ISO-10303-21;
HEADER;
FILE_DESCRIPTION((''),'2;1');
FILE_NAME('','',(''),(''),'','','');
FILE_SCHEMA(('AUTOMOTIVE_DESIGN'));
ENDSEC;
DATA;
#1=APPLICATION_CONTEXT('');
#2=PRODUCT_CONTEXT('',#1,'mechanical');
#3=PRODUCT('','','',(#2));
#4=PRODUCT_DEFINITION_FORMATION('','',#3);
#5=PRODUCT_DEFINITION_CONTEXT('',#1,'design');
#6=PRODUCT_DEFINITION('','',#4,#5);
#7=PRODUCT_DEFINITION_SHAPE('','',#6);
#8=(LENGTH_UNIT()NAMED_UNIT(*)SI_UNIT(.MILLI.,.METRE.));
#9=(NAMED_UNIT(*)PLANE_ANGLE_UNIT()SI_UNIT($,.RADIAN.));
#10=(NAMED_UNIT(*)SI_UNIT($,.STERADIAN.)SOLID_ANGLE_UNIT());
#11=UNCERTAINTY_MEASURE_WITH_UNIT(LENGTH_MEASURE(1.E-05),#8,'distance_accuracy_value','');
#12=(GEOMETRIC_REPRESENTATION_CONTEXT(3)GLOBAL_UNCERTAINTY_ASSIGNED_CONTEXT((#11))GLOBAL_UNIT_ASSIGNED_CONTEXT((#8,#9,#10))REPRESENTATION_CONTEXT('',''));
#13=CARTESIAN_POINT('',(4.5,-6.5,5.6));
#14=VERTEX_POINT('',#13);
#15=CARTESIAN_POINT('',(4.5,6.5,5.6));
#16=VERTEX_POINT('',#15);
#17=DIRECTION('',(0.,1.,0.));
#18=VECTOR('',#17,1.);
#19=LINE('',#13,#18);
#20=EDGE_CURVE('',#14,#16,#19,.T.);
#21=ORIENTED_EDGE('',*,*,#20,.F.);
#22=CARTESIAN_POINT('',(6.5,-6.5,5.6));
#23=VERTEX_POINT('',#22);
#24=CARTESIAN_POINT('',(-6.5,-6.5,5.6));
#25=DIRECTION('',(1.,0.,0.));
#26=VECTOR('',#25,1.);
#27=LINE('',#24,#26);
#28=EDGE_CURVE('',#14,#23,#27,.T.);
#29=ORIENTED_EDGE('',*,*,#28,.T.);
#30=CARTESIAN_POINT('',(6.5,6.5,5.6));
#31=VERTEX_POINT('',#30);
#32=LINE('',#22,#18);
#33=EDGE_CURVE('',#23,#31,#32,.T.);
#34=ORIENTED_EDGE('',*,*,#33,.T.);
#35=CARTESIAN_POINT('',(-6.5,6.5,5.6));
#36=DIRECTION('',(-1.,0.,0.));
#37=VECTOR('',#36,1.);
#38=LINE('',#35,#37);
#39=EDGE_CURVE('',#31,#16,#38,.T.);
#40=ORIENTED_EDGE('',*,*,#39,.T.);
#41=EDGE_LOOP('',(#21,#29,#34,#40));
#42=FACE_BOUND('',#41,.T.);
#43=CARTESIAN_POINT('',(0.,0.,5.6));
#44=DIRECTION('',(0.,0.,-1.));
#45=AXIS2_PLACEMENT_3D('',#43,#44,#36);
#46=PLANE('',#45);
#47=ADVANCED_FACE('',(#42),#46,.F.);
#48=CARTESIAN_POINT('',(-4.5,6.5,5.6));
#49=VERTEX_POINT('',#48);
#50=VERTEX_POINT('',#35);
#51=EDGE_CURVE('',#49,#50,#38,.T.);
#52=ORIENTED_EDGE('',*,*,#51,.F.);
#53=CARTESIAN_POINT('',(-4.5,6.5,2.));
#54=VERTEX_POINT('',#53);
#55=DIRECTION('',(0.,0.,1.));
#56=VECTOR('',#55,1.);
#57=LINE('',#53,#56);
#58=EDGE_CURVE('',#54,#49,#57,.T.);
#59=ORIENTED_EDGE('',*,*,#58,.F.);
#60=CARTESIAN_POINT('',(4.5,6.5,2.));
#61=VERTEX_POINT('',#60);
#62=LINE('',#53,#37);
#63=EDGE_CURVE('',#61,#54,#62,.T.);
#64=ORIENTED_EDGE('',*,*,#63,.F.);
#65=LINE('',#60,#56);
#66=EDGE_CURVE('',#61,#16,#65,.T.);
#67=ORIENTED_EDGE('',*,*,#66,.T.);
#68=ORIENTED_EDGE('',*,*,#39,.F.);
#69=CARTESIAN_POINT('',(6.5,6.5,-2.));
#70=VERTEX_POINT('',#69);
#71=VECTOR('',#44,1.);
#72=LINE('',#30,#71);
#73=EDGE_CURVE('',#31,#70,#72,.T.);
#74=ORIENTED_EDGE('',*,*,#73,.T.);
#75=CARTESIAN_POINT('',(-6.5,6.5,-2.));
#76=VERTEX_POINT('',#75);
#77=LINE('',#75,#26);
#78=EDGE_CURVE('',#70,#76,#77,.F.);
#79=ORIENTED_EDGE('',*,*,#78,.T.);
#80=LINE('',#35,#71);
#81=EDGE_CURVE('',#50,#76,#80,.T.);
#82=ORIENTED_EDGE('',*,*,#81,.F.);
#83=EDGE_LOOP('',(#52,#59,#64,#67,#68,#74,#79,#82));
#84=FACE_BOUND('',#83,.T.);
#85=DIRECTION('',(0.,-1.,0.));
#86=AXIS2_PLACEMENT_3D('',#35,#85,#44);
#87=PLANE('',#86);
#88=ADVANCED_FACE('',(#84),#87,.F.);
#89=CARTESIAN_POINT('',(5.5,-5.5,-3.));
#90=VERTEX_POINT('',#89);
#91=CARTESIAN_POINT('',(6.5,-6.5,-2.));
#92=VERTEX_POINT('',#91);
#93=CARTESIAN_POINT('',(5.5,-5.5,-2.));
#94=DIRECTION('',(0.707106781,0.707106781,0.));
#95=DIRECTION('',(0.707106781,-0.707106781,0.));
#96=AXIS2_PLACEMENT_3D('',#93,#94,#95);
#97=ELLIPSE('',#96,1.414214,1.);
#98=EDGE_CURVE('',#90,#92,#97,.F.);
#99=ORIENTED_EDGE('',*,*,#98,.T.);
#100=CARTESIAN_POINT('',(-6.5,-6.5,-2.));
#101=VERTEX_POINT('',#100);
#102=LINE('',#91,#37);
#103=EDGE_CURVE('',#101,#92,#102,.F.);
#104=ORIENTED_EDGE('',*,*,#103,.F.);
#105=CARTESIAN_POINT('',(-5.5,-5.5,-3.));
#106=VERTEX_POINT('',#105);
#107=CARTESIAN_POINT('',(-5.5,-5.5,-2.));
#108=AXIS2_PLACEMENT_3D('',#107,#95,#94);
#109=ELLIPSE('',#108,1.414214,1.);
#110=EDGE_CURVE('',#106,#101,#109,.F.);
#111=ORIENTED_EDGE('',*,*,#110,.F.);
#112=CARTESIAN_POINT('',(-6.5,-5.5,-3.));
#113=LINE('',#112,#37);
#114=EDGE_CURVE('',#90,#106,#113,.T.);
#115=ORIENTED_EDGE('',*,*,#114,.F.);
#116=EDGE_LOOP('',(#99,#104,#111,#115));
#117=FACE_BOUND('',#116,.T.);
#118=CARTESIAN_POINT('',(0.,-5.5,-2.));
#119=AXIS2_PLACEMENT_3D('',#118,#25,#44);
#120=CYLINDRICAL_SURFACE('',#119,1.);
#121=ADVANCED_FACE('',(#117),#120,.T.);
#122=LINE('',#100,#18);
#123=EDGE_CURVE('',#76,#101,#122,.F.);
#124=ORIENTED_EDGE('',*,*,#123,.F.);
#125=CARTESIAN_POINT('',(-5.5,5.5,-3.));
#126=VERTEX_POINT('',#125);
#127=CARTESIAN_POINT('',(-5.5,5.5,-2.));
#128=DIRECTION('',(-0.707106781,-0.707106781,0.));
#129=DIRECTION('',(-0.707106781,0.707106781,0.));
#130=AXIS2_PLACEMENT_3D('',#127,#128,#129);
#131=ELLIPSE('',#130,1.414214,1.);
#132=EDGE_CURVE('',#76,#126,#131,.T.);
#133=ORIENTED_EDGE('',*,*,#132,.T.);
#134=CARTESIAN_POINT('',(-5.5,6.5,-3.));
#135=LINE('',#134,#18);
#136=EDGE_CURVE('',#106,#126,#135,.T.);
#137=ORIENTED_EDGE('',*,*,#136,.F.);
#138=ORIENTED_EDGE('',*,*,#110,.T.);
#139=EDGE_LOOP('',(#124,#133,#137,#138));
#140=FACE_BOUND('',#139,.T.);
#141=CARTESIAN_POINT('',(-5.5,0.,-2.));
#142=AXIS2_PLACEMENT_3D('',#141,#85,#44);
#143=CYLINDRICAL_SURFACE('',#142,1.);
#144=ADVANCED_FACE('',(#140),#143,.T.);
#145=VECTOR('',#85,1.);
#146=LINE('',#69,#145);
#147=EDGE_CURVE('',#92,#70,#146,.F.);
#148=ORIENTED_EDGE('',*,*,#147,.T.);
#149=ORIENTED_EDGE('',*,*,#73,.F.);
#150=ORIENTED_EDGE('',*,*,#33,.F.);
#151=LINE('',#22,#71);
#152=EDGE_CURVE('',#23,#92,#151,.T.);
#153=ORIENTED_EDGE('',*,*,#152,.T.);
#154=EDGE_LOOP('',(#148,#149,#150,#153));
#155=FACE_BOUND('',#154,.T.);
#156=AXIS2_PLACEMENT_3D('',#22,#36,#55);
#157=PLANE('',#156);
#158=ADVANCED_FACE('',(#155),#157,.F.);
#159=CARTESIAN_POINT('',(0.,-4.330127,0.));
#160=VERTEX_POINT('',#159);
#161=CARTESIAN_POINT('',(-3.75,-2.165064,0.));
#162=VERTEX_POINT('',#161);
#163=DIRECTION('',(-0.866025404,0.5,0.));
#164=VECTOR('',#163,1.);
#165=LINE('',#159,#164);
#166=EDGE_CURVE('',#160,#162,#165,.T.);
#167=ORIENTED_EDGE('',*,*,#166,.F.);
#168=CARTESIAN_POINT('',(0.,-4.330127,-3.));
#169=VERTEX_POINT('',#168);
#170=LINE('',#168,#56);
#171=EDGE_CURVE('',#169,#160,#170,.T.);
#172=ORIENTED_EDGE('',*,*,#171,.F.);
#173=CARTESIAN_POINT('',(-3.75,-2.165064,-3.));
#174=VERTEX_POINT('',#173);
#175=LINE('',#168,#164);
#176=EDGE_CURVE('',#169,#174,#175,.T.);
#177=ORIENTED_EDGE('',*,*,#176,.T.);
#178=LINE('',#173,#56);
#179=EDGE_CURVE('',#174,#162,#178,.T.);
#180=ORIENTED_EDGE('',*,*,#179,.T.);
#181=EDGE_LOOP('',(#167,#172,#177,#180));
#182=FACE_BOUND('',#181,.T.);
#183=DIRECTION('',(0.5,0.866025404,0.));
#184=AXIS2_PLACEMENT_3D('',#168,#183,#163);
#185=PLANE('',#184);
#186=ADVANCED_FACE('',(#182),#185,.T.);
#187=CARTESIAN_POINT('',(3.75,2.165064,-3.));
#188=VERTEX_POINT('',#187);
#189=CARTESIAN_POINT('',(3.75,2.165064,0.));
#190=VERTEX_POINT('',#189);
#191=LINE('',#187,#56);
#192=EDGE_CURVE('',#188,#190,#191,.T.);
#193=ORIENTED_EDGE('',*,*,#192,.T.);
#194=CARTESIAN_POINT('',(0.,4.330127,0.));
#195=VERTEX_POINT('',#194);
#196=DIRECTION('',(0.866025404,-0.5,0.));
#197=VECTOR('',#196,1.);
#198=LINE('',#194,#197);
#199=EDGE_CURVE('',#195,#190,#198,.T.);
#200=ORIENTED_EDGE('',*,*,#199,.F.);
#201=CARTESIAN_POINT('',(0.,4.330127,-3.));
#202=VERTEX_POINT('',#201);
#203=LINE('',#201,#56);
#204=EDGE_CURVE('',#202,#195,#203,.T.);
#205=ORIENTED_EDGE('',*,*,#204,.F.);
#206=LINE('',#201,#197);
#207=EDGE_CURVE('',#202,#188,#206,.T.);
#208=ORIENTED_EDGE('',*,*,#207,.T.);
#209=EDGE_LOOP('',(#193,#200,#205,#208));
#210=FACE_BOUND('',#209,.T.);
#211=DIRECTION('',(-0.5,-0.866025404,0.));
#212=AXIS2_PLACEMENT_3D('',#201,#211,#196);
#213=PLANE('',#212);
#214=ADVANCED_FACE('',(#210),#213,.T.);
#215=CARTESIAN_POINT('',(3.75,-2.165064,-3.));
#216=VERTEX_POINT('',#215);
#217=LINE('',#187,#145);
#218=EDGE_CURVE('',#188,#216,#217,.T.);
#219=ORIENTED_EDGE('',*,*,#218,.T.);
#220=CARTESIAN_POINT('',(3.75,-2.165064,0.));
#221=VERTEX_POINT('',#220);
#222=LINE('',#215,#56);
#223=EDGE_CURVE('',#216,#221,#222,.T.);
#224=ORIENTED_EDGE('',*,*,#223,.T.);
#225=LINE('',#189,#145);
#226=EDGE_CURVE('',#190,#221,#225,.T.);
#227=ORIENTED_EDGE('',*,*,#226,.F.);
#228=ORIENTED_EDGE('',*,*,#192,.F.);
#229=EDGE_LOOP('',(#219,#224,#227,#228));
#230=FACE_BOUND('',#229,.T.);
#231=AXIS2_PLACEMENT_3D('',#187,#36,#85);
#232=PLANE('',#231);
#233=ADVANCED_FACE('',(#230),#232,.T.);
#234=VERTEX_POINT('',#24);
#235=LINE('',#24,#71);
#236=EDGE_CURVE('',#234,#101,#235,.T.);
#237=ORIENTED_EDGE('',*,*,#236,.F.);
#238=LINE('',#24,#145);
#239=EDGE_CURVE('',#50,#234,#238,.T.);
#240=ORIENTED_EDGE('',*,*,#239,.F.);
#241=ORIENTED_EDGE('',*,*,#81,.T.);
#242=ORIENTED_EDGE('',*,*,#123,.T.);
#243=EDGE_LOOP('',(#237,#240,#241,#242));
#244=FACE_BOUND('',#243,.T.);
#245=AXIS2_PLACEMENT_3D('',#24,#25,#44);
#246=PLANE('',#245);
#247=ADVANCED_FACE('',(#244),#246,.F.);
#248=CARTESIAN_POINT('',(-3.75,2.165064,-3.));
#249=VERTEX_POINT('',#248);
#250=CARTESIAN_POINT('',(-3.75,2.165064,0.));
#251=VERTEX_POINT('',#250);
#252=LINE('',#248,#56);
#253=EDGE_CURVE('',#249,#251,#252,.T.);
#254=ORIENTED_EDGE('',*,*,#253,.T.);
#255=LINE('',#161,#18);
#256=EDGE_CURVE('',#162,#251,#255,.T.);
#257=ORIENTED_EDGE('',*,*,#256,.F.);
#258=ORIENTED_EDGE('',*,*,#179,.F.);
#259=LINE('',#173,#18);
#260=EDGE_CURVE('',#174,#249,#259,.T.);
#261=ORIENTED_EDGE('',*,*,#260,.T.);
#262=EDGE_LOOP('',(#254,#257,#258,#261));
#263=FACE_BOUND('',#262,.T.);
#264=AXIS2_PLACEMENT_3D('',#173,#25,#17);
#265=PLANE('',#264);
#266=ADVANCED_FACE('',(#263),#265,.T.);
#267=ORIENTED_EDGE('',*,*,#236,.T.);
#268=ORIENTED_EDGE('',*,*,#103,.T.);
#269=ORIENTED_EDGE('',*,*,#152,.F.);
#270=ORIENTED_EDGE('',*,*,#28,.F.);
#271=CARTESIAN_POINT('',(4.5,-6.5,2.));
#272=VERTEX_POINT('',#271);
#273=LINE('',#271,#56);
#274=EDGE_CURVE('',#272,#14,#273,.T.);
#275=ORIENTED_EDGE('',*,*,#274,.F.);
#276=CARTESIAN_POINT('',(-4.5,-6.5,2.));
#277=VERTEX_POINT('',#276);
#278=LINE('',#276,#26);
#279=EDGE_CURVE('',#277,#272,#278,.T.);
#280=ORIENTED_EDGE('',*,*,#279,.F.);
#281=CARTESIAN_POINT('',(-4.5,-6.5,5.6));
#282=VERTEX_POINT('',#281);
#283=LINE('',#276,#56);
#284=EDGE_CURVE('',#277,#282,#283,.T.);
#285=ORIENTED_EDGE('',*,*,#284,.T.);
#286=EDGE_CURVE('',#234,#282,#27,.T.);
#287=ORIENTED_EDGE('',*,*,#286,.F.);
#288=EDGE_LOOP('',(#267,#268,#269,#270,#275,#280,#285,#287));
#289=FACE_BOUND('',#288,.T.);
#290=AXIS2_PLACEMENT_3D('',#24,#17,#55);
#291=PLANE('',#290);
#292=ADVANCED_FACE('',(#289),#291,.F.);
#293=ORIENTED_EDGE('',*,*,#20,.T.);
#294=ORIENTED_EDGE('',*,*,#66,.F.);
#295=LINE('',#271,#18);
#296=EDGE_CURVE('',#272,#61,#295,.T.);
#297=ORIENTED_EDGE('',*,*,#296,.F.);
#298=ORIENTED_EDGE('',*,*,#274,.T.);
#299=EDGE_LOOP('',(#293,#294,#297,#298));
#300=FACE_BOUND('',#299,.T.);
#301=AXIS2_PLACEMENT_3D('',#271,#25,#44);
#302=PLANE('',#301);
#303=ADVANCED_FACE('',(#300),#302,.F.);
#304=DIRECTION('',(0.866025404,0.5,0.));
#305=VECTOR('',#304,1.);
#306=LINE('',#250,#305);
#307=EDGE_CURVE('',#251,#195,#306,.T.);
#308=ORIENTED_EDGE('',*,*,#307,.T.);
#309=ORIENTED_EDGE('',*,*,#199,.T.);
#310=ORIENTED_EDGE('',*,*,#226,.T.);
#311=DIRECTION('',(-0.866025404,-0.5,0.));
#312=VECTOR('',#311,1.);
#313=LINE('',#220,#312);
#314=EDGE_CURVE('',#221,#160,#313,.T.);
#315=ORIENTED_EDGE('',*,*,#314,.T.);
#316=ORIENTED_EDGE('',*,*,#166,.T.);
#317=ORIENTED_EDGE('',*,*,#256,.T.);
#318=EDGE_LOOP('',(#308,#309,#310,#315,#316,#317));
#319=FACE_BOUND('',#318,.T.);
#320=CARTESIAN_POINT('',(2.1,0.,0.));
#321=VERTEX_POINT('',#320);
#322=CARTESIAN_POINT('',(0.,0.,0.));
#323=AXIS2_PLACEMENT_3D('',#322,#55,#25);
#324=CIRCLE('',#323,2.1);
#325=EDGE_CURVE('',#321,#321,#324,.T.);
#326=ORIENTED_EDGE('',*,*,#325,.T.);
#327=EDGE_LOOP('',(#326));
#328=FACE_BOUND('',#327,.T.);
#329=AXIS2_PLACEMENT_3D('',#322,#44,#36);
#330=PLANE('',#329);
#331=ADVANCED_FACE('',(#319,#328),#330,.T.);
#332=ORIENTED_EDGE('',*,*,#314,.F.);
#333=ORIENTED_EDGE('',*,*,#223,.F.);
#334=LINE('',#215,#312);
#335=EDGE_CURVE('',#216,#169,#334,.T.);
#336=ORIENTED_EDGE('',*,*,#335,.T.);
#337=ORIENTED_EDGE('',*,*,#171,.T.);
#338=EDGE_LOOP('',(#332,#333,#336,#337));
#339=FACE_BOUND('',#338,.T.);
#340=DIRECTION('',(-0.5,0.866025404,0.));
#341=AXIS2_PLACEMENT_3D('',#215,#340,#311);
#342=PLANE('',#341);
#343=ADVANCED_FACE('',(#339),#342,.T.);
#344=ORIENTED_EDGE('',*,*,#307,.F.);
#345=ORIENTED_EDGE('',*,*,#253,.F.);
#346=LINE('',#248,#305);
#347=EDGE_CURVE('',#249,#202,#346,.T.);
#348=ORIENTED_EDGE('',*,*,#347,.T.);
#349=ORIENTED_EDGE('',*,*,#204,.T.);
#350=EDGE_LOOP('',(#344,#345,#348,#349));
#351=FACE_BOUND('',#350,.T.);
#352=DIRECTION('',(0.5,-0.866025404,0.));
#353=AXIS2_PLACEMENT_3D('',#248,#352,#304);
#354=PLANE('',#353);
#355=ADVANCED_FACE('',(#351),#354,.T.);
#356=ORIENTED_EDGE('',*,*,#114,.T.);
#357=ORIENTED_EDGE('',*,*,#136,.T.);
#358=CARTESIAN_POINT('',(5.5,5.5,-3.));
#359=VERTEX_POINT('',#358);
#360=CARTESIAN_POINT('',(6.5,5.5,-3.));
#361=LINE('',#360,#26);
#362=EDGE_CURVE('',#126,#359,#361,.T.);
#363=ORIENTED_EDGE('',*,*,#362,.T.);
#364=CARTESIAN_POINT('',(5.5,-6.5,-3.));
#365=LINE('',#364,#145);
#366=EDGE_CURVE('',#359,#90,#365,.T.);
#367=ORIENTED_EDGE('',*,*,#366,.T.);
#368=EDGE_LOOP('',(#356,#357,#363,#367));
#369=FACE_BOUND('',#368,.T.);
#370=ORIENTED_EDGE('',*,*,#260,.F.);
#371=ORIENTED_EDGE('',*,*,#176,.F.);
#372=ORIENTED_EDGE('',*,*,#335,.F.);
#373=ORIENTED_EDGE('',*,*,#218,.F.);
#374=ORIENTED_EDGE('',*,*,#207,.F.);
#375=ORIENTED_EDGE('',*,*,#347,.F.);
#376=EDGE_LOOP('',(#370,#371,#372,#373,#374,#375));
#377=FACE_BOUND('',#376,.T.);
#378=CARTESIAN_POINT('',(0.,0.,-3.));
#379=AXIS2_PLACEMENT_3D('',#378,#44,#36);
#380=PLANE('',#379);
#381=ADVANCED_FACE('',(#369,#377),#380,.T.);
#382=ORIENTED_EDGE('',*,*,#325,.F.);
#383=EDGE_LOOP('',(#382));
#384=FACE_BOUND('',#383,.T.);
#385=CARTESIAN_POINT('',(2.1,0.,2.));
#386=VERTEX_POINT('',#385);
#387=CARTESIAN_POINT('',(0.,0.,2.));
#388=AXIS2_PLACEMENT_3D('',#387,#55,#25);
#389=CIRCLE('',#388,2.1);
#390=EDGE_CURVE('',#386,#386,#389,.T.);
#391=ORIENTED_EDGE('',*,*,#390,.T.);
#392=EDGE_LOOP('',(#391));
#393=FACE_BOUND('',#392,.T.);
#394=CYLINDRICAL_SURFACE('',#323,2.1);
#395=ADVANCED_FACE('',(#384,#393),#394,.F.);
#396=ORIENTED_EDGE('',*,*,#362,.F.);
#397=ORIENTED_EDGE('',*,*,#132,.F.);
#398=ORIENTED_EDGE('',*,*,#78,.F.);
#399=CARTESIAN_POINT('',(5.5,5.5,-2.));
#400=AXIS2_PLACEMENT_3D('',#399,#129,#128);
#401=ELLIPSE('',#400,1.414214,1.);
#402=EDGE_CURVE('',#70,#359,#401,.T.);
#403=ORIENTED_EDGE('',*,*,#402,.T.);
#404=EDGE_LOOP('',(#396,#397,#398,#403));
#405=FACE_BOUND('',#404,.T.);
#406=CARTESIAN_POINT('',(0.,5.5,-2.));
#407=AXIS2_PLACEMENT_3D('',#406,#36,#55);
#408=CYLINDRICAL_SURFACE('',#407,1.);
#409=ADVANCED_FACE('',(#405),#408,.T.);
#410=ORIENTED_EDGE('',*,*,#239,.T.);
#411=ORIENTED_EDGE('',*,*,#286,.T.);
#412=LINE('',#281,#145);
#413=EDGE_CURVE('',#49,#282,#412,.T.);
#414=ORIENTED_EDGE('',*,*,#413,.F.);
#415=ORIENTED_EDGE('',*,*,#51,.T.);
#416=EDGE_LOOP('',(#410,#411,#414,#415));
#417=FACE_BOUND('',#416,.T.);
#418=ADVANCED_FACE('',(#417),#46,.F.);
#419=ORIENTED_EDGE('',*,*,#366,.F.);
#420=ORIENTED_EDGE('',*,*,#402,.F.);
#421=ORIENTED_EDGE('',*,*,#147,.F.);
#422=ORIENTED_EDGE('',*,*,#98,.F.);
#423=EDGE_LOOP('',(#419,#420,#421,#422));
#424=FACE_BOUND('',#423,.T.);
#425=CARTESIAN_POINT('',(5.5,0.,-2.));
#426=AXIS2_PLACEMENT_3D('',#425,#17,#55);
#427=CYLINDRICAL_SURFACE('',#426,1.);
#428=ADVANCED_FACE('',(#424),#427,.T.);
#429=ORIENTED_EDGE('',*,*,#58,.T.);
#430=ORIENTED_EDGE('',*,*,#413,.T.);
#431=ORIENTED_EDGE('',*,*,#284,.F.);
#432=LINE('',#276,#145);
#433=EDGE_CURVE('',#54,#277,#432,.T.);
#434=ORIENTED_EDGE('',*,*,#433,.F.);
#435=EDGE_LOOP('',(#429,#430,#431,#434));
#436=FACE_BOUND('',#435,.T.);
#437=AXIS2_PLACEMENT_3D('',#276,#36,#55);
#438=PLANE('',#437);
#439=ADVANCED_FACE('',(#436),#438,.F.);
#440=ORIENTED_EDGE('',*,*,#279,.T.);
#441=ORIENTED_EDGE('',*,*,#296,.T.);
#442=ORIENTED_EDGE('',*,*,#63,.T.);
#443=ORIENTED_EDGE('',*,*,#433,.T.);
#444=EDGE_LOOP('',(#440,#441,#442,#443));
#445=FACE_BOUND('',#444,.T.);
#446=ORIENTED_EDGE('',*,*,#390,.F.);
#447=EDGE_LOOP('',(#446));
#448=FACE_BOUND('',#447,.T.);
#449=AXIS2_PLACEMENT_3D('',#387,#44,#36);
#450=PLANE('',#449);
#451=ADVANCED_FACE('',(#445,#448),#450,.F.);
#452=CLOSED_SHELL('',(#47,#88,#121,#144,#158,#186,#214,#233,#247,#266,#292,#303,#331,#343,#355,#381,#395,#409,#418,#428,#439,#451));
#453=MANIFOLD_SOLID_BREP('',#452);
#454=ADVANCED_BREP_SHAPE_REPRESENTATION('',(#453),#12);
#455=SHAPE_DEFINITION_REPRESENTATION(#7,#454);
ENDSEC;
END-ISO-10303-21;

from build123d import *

# Parameters (mm, degrees)
ESQUISSE1_W             = 13
ESQUISSE1_H             = 13
BOSS_EXTRU_1_DEPTH      = 5.6
ESQUISSE2_W             = 9
ESQUISSE2_H             = 13
ENL_V_MAT_EXTRU_1_DEPTH = 3.6
ESQUISSE3_R             = 2.1
ENL_V_MAT_EXTRU_2_DEPTH = 10.872183143
ESQUISSE4_W             = 13
ESQUISSE4_H             = 13
BOSS_EXTRU_2_DEPTH      = 3
CONG_1_R                = 1


with BuildPart() as part:
    # Esquisse1 → Boss.-Extru.1 (new body)
    with BuildSketch(Plane.XY):
        Rectangle(ESQUISSE1_W, ESQUISSE1_H)
    extrude(amount=BOSS_EXTRU_1_DEPTH)

    # Esquisse2 → Enlèv. mat.-Extru.1 (cut)
    with BuildSketch(Plane.XY.offset(5.6)):
        Rectangle(ESQUISSE2_W, ESQUISSE2_H)
    extrude(amount=-ENL_V_MAT_EXTRU_1_DEPTH, mode=Mode.SUBTRACT)

    # Esquisse3 → Enlèv. mat.-Extru.2 (cut, through all)
    with BuildSketch(Plane.XY.offset(2)):
        Circle(ESQUISSE3_R)
    extrude(amount=-ENL_V_MAT_EXTRU_2_DEPTH, mode=Mode.SUBTRACT)

    # Esquisse4 → Boss.-Extru.2 (add)
    with BuildSketch(Plane(origin=(0, 0, 0), x_dir=(-1, 0, 0), z_dir=(0, 0, -1))):
        Rectangle(ESQUISSE4_W, ESQUISSE4_H)
        Polygon((-3.75, -2.165063509), (0, -4.330127019), (3.75, -2.165063509), (3.75, 2.165063509), (0, 4.330127019), (-3.75, 2.165063509), align=None, mode=Mode.SUBTRACT)
    extrude(amount=BOSS_EXTRU_2_DEPTH)

    # Congé1
    cong_1_edges = [part.edges().sort_by_distance(p)[0] for p in [
        (6.5, 0, -3),
        (0, -6.5, -3),
        (-6.5, 0, -3),
        (0, 6.5, -3),
    ]]
    fillet(cong_1_edges, radius=CONG_1_R)


solid = part.part
